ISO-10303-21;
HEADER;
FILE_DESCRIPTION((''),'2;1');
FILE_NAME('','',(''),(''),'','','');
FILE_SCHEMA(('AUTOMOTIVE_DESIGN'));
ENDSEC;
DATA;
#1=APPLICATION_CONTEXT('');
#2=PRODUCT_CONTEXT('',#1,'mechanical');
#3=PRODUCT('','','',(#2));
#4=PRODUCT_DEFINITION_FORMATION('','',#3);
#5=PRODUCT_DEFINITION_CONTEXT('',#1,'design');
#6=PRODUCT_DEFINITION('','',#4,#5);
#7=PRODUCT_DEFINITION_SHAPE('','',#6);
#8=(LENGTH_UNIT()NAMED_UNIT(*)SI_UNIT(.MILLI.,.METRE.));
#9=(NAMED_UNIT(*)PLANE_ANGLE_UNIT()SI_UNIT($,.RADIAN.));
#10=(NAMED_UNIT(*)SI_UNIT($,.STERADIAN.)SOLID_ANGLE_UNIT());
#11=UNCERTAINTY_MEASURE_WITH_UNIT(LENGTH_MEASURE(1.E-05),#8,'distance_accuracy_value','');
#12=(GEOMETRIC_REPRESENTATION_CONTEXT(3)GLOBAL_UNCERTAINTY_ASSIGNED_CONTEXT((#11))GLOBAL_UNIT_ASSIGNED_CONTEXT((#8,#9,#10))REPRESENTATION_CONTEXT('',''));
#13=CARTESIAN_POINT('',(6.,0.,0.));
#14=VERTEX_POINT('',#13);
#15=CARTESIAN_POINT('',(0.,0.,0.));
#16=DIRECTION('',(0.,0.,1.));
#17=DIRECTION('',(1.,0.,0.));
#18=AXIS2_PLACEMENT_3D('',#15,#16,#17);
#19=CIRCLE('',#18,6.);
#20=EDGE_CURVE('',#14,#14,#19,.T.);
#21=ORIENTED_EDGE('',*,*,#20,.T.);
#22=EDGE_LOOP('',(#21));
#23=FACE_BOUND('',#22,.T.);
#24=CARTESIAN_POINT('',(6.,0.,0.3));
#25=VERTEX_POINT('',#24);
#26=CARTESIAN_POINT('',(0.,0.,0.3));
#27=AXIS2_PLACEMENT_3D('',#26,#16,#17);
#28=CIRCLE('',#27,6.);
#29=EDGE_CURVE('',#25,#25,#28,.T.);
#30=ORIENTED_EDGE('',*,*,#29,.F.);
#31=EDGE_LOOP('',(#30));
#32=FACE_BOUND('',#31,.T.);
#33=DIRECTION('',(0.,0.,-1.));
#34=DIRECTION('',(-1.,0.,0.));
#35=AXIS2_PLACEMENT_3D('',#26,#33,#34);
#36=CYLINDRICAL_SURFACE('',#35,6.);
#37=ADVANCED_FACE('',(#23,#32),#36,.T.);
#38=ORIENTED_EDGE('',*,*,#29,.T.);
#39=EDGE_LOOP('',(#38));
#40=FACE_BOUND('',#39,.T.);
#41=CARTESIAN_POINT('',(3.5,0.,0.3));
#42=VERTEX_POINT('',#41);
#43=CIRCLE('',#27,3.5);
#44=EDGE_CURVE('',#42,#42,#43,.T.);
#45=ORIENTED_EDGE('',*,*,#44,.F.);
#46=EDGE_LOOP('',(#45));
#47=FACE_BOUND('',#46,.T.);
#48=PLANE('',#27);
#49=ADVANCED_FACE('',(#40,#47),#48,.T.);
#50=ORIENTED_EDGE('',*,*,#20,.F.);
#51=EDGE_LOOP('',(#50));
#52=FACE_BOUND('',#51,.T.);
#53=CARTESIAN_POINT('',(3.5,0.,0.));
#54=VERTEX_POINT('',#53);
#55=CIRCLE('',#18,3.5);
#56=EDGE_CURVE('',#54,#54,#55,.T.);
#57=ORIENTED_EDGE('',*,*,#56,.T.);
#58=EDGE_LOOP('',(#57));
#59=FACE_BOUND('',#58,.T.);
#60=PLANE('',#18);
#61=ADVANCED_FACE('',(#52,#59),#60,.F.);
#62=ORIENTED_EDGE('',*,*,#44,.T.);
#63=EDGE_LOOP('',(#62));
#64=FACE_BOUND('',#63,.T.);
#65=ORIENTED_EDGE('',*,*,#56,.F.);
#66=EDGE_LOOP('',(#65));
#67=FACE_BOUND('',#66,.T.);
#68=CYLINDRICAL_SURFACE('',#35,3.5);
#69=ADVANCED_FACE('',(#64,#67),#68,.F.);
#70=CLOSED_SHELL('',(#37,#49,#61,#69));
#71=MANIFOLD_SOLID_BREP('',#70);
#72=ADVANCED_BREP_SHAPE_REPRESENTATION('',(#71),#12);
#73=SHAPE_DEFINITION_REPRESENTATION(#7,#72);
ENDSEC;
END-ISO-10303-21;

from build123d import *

# Parameters (mm, degrees)
CROQUIS1_R              = 6
CROQUIS1_R_2            = 3.5
SALIENTE_EXTRUIR1_DEPTH = 0.3


with BuildPart() as part:
    # Croquis1 → Saliente-Extruir1 (new body)
    with BuildSketch(Plane.XY):
        Circle(CROQUIS1_R)
        Circle(CROQUIS1_R_2, mode=Mode.SUBTRACT)
    extrude(amount=SALIENTE_EXTRUIR1_DEPTH)


solid = part.part
